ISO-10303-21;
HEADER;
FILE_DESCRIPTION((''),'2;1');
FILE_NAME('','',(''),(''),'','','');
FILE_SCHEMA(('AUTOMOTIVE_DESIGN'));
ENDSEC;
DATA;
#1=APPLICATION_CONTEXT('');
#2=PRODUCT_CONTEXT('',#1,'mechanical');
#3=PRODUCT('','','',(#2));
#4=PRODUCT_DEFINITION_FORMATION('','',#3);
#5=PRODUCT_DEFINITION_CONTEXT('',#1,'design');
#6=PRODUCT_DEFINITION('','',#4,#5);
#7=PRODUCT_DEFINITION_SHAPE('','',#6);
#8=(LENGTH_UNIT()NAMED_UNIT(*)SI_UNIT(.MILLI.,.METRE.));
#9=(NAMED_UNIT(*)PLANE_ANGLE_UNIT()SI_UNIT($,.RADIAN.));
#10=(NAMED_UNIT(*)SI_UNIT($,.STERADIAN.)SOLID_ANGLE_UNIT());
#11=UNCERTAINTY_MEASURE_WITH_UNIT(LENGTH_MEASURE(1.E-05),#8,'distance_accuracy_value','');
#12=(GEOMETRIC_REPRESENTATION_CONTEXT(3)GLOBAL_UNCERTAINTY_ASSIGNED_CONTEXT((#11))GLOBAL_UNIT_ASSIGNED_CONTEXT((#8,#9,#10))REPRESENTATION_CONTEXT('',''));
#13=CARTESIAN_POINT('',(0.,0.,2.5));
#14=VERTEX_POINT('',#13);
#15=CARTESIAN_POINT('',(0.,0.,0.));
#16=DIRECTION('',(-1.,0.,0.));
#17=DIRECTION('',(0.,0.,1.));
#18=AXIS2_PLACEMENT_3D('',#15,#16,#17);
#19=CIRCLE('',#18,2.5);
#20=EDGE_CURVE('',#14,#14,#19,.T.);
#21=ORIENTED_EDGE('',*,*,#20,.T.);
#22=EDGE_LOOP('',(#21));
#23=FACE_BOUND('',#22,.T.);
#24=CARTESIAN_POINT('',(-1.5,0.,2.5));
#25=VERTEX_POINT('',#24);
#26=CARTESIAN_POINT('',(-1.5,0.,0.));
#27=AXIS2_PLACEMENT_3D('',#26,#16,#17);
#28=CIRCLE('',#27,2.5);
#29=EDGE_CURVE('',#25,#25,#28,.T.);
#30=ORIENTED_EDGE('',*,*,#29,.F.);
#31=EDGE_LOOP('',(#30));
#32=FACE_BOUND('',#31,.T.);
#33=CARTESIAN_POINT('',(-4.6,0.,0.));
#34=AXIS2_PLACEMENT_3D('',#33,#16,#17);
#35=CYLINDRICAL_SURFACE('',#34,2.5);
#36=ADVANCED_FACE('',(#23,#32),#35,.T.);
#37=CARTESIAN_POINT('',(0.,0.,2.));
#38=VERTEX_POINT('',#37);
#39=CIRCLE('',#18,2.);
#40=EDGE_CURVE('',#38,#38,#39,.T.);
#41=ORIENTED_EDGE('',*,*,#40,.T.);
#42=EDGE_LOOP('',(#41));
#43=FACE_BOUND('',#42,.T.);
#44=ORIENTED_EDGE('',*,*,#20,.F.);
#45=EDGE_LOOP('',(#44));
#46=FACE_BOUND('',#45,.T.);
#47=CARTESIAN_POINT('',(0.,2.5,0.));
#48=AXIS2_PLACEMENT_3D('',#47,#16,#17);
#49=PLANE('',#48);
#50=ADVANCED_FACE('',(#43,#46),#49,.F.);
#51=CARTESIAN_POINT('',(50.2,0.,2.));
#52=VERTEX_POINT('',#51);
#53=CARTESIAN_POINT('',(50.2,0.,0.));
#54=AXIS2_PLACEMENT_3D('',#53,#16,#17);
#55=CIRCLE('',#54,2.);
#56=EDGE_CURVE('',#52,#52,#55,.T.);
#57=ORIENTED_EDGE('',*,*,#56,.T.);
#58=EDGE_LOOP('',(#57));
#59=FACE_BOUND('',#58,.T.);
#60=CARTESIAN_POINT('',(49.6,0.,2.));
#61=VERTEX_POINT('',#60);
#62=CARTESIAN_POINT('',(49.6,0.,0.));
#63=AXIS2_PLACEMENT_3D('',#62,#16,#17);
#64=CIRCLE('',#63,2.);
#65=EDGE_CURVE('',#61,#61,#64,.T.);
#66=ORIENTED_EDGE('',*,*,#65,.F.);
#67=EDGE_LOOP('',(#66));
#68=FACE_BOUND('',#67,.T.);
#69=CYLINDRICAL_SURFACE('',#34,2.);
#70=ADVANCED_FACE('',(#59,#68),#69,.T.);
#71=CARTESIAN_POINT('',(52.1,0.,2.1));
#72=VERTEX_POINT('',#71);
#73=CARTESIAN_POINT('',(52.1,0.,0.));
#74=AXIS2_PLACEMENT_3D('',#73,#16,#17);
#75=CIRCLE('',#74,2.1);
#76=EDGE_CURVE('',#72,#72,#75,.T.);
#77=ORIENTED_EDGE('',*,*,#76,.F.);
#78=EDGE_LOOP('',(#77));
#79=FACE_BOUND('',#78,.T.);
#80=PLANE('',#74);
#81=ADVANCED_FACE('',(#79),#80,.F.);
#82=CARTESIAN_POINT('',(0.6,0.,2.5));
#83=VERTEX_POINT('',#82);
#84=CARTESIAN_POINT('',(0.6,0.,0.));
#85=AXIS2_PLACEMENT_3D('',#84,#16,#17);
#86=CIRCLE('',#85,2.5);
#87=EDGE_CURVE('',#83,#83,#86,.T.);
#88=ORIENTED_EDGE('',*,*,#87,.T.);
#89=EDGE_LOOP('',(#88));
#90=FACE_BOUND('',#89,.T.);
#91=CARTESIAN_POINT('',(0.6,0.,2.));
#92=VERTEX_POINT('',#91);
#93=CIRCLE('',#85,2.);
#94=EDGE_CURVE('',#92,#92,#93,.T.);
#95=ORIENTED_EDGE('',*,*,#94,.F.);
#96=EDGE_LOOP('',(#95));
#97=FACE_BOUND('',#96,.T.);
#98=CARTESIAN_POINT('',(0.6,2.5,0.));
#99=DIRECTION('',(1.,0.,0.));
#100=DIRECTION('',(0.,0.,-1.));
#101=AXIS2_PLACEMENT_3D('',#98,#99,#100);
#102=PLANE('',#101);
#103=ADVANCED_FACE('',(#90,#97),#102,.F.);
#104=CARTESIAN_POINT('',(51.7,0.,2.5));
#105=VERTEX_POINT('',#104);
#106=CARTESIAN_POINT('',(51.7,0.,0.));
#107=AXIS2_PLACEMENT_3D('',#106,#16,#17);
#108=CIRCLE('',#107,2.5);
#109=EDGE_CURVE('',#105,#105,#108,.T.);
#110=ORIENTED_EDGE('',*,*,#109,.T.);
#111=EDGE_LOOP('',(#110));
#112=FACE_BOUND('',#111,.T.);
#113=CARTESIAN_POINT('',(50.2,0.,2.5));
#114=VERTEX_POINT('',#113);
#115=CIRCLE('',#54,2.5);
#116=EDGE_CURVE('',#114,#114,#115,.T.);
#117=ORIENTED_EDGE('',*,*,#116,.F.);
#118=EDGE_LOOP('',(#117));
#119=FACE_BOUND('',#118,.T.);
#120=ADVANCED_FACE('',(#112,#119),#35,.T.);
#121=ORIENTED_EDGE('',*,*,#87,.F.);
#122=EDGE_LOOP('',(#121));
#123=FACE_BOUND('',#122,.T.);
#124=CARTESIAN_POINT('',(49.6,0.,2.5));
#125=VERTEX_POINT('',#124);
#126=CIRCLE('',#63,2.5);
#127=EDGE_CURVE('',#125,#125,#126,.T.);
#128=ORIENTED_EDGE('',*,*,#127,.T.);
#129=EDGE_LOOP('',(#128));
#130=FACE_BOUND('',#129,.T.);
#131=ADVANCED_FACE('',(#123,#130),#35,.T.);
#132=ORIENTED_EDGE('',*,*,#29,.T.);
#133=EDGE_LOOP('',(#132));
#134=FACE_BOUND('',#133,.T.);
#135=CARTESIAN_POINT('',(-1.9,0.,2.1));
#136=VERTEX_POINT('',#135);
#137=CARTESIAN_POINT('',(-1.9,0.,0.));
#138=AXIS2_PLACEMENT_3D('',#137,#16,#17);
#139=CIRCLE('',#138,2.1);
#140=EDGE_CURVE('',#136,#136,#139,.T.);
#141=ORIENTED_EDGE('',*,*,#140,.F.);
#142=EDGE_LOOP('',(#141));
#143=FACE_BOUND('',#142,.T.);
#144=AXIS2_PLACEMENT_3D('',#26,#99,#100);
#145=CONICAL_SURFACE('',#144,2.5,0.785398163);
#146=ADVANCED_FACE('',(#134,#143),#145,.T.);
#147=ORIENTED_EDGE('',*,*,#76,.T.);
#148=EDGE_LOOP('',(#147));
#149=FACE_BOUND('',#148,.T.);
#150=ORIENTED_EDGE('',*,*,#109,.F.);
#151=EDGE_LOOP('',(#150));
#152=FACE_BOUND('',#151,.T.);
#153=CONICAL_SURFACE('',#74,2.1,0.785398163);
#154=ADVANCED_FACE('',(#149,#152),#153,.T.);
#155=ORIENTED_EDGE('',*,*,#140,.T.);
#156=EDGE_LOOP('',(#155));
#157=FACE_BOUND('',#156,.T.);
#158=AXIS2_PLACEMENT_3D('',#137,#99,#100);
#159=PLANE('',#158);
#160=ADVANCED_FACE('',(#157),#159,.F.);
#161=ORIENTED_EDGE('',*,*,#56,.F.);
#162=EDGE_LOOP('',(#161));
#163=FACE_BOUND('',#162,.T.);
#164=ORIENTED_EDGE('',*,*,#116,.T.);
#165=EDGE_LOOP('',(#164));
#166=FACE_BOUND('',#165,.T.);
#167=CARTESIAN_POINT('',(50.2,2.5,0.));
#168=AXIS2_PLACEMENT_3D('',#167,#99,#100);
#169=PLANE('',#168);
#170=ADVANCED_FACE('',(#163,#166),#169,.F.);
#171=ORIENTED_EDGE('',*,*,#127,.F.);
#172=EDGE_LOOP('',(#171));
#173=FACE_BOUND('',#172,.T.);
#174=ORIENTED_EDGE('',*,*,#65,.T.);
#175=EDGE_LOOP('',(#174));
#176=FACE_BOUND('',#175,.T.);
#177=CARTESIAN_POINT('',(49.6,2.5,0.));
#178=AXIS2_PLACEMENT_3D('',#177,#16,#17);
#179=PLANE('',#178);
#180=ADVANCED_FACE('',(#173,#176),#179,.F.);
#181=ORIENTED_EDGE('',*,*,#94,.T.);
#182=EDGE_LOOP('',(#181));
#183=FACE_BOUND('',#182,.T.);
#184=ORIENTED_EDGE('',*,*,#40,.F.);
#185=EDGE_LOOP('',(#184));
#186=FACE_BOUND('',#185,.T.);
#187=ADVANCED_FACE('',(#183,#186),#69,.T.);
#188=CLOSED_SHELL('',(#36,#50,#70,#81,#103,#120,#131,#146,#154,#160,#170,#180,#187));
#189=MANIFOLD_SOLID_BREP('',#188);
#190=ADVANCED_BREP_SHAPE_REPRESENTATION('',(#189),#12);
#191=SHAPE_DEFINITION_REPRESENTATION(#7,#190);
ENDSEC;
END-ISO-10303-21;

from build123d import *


with BuildPart() as part:
    # Sketch1 → Revolve1 (revolve)
    with BuildSketch(Plane.XY):
        Polygon((0.6, 2.5), (49.6, 2.5), (49.6, 2), (50.2, 2), (50.2, 2.5), (51.7, 2.5), (52.1, 2.1), (52.1, 0), (-1.9, 0), (-1.9, 2.1), (-1.5, 2.5), (0, 2.5), (0, 2), (0.6, 2), align=None)
    revolve(axis=Axis((-4.6, 0, 0), (1, 0, 0)))


solid = part.part
